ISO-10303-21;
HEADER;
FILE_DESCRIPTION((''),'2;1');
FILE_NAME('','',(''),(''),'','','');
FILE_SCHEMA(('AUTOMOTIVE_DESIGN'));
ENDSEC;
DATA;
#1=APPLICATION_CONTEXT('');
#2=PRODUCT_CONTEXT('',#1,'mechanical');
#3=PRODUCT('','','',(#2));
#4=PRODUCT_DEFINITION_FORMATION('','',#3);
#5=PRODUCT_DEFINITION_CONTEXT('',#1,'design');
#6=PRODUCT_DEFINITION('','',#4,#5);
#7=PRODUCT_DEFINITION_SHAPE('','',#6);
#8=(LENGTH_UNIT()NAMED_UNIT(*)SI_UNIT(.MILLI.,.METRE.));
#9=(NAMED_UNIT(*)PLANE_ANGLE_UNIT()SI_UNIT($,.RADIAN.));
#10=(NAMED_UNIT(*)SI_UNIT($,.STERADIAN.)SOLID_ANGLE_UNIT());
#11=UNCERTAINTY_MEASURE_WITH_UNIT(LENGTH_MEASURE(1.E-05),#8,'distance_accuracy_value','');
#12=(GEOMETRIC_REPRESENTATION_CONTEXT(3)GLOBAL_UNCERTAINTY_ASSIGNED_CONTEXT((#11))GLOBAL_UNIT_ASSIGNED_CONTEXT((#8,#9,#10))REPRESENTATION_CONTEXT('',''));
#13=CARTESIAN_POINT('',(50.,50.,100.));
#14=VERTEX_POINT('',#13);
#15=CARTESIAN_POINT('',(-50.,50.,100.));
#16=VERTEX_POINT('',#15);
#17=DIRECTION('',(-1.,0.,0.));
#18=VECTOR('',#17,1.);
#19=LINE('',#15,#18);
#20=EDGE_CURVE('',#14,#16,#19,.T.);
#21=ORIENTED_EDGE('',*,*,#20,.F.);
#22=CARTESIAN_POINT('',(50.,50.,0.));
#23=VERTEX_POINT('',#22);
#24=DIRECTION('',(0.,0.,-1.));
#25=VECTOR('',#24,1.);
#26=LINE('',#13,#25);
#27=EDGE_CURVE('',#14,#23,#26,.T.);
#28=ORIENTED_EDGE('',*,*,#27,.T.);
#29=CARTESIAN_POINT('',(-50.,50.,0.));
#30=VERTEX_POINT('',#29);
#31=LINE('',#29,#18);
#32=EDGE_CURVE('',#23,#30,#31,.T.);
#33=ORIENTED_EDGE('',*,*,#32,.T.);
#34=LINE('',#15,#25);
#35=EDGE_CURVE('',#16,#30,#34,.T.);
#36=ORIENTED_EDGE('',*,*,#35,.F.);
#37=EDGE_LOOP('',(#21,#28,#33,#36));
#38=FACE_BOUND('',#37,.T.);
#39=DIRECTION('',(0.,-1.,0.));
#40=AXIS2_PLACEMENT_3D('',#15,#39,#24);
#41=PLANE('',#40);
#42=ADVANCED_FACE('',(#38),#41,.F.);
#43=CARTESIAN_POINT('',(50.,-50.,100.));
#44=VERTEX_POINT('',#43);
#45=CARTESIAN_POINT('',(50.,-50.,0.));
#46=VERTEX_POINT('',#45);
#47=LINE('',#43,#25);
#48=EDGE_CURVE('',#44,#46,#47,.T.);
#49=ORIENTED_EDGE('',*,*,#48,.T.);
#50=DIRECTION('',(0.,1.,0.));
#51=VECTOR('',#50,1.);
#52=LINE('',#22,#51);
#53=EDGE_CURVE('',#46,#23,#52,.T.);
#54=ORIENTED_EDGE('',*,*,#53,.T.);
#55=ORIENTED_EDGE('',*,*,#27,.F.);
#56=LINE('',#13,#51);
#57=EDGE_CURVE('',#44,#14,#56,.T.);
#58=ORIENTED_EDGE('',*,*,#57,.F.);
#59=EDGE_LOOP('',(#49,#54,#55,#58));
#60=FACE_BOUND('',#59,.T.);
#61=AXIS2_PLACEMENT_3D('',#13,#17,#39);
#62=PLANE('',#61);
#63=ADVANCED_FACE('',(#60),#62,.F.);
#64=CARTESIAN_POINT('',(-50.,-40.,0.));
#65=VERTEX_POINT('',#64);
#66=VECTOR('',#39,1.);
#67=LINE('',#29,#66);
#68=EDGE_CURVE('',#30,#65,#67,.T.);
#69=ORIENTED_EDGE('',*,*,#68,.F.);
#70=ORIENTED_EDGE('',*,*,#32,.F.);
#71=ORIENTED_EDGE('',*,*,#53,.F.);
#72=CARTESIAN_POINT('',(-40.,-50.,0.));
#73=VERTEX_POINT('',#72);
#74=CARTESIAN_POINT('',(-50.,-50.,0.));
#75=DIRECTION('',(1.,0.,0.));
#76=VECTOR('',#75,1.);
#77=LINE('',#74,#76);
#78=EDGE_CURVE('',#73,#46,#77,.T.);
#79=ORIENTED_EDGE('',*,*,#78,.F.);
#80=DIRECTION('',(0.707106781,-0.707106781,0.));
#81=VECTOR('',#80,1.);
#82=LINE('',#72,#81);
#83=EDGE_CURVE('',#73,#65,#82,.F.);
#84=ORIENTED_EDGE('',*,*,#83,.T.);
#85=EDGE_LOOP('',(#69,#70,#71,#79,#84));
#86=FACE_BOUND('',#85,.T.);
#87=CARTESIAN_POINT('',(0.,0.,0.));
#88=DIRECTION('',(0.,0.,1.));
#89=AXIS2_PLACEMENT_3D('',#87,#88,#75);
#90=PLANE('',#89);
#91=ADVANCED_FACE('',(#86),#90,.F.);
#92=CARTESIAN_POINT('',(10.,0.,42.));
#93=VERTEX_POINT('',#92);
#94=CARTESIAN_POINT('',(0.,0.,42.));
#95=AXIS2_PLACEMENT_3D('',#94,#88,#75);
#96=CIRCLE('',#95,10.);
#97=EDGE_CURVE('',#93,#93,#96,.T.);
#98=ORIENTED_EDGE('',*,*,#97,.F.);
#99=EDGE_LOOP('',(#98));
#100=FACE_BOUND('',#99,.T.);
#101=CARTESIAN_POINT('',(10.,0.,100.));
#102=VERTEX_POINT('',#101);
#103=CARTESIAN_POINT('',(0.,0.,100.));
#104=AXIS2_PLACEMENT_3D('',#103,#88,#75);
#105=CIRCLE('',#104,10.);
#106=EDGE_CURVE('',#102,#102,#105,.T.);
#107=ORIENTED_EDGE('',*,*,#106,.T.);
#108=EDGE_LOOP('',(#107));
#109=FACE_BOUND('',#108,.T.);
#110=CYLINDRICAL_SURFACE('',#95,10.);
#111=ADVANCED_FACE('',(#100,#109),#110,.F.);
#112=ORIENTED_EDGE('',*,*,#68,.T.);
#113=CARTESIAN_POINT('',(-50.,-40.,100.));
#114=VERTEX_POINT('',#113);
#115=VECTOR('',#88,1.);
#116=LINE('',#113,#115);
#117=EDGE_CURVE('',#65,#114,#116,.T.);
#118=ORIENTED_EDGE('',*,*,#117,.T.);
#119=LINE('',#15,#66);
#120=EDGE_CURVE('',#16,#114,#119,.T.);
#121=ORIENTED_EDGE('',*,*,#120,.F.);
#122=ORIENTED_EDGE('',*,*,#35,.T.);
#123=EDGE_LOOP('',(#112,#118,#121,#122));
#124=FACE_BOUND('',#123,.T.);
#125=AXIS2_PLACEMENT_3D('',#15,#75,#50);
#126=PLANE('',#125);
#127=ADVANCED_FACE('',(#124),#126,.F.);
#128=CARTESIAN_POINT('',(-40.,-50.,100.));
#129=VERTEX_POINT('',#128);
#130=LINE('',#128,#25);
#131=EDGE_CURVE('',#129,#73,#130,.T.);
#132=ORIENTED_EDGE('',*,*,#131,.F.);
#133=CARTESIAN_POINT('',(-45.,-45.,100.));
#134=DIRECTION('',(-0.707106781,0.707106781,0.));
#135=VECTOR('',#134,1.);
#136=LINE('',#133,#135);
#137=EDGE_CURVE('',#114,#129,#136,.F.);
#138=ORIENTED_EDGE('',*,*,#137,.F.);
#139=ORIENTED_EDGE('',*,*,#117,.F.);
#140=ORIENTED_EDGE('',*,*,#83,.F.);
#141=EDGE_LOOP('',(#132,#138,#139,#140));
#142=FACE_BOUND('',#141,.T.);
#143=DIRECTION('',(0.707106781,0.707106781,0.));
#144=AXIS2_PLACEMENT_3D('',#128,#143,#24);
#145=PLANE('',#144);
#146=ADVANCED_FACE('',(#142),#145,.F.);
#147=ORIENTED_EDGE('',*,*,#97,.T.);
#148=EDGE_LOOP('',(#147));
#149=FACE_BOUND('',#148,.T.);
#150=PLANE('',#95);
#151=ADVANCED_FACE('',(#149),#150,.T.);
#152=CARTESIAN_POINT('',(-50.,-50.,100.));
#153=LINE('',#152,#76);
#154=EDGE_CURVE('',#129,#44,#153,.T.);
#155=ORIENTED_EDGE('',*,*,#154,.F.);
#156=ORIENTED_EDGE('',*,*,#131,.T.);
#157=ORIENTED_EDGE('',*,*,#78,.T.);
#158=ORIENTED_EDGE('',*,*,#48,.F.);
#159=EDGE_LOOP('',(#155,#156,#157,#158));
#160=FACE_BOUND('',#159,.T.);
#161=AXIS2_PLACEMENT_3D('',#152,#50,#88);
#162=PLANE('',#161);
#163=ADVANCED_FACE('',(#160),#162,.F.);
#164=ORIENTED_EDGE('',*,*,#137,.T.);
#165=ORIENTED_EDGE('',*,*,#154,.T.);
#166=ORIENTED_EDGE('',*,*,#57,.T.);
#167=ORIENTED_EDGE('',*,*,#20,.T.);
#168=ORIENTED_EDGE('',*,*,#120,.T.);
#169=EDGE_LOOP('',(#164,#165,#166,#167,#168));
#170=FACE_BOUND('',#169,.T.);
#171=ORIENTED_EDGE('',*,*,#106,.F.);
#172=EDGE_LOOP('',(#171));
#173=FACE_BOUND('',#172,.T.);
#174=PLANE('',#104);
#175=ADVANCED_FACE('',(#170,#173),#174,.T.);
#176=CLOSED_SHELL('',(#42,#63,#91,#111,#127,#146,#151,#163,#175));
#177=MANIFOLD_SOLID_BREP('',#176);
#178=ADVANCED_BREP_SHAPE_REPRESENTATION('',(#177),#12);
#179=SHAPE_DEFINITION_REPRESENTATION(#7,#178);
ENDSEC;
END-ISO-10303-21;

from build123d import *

# Parameters (mm, degrees)
SKETCH1_W           = 100
SKETCH1_H           = 100
BOSS_EXTRUDE1_DEPTH = 100
SKETCH2_R           = 10
CUT_EXTRUDE1_DEPTH  = 58
CHAMFER1_SIZE       = 10


with BuildPart() as part:
    # Sketch1 → Boss-Extrude1 (new body)
    with BuildSketch(Plane.XY):
        Rectangle(SKETCH1_W, SKETCH1_H)
    extrude(amount=BOSS_EXTRUDE1_DEPTH)

    # Sketch2 → Cut-Extrude1 (cut)
    with BuildSketch(Plane.XY.offset(100)):
        Circle(SKETCH2_R)
    extrude(amount=-CUT_EXTRUDE1_DEPTH, mode=Mode.SUBTRACT)

    # Chamfer1
    chamfer1_edges = [part.edges().sort_by_distance(p)[0] for p in [
        (-50, -50, 50),
    ]]
    chamfer(chamfer1_edges, length=CHAMFER1_SIZE)


solid = part.part
